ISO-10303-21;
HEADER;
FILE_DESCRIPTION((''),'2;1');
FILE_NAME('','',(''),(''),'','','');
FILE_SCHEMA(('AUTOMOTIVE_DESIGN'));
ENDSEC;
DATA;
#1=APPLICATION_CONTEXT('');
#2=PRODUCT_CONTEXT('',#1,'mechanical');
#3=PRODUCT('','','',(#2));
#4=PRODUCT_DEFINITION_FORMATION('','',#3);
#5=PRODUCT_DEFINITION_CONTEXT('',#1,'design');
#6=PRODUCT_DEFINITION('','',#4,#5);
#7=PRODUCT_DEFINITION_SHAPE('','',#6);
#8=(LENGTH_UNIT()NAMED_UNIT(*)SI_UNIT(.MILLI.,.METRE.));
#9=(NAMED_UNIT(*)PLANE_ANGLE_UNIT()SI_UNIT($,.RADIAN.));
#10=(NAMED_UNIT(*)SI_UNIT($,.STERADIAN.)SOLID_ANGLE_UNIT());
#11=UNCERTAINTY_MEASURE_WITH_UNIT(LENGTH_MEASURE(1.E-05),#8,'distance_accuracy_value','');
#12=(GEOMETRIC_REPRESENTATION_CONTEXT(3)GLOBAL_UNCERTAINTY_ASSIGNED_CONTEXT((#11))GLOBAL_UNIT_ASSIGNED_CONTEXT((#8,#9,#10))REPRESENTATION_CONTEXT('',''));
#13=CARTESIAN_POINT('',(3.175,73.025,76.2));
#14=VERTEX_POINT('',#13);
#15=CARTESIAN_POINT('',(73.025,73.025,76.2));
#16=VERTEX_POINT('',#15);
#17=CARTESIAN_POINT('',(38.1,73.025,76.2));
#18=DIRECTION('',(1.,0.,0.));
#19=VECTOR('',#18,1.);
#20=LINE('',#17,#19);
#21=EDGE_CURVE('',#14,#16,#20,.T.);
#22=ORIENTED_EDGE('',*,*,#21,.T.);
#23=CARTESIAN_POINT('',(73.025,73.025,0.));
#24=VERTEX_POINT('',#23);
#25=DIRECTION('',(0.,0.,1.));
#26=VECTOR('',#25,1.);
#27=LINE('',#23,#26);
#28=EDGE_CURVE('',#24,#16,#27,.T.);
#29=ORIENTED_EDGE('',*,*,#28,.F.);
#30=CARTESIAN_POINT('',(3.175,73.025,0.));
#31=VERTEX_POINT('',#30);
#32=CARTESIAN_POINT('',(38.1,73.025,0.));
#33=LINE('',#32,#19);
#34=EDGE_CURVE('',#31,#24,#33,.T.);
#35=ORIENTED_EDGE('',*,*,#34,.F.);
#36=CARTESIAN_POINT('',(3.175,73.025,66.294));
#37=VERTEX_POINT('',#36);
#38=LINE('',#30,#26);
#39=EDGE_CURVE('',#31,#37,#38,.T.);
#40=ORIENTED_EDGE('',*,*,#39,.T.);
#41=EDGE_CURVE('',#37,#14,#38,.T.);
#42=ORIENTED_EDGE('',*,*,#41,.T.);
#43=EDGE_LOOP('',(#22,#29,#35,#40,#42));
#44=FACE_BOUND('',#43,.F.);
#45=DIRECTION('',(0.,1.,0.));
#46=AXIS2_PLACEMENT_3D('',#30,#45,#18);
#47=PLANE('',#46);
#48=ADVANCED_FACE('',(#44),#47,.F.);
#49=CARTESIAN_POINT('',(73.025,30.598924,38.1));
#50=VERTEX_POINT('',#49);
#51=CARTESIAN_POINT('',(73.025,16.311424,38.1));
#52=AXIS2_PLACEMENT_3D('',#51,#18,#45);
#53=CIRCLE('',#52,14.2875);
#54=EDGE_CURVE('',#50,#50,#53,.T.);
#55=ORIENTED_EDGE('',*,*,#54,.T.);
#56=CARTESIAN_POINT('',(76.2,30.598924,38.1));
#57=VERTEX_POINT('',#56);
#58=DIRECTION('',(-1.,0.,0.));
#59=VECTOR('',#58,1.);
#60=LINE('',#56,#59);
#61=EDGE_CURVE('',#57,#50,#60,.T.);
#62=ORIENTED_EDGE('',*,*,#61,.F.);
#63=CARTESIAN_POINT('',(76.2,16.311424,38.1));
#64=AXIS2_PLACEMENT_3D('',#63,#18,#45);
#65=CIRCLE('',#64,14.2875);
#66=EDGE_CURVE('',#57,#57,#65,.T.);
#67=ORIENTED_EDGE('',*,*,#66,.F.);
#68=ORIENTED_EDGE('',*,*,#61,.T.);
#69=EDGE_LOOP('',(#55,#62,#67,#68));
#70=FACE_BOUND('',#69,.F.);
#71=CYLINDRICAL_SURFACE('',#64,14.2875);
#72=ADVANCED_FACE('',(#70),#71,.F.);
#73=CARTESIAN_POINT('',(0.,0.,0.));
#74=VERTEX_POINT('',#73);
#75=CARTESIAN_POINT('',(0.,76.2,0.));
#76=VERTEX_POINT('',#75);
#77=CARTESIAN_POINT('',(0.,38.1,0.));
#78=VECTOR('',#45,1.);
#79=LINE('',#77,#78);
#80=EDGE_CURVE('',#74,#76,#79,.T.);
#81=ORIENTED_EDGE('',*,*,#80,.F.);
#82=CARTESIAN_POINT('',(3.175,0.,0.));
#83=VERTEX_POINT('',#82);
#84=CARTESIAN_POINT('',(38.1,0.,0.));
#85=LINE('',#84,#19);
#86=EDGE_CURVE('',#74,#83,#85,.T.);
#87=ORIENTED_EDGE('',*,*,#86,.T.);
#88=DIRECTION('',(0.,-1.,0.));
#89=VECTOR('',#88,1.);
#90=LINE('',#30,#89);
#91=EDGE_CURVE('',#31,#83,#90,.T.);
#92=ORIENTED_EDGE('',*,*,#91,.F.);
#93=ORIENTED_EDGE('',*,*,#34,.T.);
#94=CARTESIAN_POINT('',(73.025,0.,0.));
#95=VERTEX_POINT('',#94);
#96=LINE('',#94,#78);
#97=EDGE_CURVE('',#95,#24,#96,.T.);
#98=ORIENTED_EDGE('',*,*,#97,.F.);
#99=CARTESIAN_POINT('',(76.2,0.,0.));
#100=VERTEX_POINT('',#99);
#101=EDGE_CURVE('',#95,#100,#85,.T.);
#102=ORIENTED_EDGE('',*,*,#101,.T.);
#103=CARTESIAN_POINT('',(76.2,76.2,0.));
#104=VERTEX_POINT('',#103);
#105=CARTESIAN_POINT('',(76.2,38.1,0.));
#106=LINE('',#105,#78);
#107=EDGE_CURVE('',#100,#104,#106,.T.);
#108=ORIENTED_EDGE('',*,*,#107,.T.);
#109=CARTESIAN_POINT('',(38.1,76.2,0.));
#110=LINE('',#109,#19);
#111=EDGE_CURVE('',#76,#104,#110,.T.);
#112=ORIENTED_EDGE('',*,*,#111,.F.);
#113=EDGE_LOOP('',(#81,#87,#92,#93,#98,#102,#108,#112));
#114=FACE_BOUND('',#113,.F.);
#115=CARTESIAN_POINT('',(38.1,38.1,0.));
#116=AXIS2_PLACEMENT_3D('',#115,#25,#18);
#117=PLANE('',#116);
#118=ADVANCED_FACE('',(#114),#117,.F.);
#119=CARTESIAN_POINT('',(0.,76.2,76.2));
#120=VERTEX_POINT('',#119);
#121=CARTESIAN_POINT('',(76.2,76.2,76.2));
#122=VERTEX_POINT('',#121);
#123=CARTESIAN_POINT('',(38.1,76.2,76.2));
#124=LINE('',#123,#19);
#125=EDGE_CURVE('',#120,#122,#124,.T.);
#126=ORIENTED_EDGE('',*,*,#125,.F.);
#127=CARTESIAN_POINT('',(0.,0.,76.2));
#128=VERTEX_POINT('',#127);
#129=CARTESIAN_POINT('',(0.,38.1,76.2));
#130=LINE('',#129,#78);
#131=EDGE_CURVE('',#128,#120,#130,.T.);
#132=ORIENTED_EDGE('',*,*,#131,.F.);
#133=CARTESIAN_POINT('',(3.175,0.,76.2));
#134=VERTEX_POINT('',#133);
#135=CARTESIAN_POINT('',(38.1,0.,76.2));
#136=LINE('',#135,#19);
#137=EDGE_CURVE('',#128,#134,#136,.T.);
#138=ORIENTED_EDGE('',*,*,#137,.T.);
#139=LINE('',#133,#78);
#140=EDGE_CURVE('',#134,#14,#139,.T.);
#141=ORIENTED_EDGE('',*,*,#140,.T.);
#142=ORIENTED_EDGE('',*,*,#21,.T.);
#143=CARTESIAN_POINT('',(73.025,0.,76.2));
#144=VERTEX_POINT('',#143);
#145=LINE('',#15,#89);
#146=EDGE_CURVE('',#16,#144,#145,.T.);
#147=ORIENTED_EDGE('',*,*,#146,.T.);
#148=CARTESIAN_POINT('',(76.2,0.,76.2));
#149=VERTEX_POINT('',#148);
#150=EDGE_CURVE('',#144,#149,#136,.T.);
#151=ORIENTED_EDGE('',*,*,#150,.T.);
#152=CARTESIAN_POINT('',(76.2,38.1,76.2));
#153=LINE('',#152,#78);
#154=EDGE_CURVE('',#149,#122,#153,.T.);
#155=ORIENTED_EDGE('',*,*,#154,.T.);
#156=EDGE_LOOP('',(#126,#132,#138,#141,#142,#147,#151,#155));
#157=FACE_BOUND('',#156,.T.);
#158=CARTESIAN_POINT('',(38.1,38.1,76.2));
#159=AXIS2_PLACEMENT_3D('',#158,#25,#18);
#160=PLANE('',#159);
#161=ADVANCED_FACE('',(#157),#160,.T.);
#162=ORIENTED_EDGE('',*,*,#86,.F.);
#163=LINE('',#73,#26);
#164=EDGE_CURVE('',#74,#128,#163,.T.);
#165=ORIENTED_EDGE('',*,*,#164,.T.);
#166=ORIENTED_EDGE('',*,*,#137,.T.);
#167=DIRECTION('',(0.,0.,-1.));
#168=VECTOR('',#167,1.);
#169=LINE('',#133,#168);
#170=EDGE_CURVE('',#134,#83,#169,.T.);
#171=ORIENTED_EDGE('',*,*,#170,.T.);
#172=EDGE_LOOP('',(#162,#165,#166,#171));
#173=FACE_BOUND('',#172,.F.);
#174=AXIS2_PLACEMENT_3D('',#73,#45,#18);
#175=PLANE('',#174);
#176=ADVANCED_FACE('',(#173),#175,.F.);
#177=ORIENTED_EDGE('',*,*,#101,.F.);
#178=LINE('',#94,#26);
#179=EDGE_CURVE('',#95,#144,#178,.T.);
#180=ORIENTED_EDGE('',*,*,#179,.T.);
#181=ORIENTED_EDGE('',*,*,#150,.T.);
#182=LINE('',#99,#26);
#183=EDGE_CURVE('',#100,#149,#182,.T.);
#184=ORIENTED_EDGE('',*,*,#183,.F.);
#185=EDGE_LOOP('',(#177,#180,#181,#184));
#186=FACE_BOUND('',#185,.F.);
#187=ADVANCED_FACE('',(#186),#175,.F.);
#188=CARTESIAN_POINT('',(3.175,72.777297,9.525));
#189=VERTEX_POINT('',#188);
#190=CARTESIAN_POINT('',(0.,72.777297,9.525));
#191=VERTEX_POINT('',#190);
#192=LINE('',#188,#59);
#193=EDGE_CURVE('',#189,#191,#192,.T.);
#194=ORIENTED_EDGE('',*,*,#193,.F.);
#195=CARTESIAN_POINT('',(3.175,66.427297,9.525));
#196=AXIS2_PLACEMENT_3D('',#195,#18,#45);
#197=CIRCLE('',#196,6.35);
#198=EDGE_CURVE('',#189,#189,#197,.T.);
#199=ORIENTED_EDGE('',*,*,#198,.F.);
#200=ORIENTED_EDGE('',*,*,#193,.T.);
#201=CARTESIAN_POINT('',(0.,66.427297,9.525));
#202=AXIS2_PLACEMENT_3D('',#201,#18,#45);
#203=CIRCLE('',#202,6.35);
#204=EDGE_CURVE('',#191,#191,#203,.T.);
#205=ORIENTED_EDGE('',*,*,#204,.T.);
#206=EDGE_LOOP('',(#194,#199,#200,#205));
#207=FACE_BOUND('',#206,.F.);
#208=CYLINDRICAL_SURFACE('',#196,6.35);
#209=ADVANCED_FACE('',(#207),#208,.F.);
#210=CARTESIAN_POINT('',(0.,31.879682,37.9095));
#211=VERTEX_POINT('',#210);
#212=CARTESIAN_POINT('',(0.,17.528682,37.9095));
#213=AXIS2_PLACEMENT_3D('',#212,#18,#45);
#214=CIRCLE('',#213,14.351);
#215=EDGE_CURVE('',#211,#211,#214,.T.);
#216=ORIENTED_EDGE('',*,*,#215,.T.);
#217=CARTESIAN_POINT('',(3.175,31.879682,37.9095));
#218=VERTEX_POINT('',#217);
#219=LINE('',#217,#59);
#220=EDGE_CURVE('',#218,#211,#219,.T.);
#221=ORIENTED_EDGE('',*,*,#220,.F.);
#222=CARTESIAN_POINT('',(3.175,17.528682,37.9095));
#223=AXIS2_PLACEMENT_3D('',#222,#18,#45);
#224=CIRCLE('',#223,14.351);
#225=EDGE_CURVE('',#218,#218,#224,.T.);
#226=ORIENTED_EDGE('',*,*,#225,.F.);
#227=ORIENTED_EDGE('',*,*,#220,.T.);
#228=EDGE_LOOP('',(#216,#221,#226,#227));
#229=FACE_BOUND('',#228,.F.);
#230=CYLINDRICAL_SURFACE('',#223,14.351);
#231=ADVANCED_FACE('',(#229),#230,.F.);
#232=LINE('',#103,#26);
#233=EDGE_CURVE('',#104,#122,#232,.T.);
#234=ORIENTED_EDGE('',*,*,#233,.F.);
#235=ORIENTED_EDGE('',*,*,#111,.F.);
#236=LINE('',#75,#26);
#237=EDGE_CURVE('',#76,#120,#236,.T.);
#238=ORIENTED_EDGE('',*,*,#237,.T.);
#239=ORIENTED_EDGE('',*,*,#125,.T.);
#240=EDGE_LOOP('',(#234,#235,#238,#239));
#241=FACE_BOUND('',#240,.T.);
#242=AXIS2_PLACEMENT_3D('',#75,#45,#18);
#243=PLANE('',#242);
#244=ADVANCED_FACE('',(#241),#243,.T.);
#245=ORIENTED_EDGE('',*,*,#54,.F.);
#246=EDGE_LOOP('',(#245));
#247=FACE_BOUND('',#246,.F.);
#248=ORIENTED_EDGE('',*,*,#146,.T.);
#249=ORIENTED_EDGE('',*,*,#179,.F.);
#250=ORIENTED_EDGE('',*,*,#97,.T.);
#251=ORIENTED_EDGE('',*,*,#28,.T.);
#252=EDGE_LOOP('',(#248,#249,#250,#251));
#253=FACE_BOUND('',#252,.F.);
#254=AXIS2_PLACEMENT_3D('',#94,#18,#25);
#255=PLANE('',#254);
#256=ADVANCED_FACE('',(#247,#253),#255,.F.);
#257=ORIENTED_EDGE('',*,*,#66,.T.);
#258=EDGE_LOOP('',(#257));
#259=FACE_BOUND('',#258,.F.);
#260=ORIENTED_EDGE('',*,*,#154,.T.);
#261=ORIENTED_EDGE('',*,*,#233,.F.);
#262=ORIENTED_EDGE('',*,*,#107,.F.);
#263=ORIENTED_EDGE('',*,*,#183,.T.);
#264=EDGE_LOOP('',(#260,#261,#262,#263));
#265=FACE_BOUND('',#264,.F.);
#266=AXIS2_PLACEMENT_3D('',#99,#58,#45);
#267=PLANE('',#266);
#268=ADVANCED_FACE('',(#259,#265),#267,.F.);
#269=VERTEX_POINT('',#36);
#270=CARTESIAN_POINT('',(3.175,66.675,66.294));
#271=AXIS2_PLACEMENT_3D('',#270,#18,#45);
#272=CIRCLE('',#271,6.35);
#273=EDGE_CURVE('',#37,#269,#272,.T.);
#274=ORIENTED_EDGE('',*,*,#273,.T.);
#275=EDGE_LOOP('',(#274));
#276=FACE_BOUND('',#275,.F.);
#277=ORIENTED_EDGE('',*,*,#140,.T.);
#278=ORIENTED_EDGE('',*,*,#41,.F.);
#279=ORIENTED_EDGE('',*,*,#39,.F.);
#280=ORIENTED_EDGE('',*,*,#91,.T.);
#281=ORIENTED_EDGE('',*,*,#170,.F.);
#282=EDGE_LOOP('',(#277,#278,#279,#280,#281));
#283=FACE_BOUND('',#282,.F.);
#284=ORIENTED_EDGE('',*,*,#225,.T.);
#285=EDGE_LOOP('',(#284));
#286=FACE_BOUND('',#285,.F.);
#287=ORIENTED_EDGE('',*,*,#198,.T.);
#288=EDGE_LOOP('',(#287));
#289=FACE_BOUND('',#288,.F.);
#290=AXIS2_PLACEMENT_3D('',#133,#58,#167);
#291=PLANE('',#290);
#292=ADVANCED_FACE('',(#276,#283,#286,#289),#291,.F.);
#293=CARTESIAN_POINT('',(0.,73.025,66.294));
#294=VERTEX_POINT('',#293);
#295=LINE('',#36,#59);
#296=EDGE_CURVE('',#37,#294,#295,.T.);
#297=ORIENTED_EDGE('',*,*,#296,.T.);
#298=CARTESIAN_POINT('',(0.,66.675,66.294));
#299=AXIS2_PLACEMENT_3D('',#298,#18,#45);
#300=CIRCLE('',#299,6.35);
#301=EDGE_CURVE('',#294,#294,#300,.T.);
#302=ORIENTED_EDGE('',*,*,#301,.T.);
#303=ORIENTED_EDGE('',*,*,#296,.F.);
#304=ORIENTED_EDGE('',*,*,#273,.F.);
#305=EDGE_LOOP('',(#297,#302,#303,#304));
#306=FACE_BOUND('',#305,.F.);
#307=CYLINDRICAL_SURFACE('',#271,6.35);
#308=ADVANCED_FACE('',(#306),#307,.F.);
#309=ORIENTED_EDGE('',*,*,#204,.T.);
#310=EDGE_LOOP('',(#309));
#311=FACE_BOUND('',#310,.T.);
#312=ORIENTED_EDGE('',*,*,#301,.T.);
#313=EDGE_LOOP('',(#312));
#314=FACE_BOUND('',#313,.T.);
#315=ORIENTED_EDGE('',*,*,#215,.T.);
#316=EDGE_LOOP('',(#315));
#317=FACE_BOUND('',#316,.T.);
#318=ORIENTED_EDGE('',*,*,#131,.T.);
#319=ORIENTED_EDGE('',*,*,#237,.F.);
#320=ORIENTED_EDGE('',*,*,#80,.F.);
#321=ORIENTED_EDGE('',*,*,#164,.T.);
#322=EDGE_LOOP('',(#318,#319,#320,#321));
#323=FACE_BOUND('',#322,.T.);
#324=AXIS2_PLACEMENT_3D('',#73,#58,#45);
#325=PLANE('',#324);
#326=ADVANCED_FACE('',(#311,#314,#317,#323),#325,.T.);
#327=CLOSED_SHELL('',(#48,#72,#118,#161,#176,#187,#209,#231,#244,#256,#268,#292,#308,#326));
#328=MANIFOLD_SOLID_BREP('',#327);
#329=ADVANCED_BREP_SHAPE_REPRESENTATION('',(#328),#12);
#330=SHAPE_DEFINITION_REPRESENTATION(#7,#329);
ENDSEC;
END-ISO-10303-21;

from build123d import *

# Parameters (mm, degrees)
F0_W     = 76.2
F0_H     = 76.2
F0_W_2   = 69.85
F0_H_2   = 69.85
F1_DEPTH = 76.2
F3_DEPTH = 25.4
F4_R     = 6.35
F5_DEPTH = 25.4
F4_R_2   = 14.351
F7_DEPTH = 25.4
F6_R     = 14.2875
F8_DEPTH = 25.4


with BuildPart() as f1:
    # F0 (on Top) → F1 (new body)
    with BuildSketch(Plane.XY):
        with Locations((38.1, 38.1)):
            Rectangle(F0_W, F0_H)
        with Locations((38.1, 38.1)):
            Rectangle(F0_W_2, F0_H_2, mode=Mode.SUBTRACT)
    extrude(amount=F1_DEPTH)

    # F2 (on face) → F3 (cut)
    with BuildSketch(Plane.XZ):
        Polygon((3.175, 76.2), (3.175, 14.417147), (3.175, 0), (73.025, 0), (73.025, 76.2), align=None)
    extrude(amount=-F3_DEPTH, mode=Mode.SUBTRACT)

    # F4 (on face) → F5 (cut)
    with BuildSketch(Plane.YZ.offset(3.175)):
        with Locations((66.675, 66.294)):
            Circle(F4_R)
        with Locations((66.427297, 9.525)):
            Circle(F4_R)
    extrude(amount=-F5_DEPTH, mode=Mode.SUBTRACT)

    # F4 (on face) → F7 (cut)
    with BuildSketch(Plane.YZ.offset(3.175)):
        with Locations((17.528682, 37.9095)):
            Circle(F4_R_2)
    extrude(amount=-F7_DEPTH, mode=Mode.SUBTRACT)

    # F6 (on face) → F8 (cut)
    with BuildSketch(Plane.YZ.offset(76.2)):
        with Locations((16.311424, 38.1)):
            Circle(F6_R)
    extrude(amount=-F8_DEPTH, mode=Mode.SUBTRACT)


solid = f1.part
